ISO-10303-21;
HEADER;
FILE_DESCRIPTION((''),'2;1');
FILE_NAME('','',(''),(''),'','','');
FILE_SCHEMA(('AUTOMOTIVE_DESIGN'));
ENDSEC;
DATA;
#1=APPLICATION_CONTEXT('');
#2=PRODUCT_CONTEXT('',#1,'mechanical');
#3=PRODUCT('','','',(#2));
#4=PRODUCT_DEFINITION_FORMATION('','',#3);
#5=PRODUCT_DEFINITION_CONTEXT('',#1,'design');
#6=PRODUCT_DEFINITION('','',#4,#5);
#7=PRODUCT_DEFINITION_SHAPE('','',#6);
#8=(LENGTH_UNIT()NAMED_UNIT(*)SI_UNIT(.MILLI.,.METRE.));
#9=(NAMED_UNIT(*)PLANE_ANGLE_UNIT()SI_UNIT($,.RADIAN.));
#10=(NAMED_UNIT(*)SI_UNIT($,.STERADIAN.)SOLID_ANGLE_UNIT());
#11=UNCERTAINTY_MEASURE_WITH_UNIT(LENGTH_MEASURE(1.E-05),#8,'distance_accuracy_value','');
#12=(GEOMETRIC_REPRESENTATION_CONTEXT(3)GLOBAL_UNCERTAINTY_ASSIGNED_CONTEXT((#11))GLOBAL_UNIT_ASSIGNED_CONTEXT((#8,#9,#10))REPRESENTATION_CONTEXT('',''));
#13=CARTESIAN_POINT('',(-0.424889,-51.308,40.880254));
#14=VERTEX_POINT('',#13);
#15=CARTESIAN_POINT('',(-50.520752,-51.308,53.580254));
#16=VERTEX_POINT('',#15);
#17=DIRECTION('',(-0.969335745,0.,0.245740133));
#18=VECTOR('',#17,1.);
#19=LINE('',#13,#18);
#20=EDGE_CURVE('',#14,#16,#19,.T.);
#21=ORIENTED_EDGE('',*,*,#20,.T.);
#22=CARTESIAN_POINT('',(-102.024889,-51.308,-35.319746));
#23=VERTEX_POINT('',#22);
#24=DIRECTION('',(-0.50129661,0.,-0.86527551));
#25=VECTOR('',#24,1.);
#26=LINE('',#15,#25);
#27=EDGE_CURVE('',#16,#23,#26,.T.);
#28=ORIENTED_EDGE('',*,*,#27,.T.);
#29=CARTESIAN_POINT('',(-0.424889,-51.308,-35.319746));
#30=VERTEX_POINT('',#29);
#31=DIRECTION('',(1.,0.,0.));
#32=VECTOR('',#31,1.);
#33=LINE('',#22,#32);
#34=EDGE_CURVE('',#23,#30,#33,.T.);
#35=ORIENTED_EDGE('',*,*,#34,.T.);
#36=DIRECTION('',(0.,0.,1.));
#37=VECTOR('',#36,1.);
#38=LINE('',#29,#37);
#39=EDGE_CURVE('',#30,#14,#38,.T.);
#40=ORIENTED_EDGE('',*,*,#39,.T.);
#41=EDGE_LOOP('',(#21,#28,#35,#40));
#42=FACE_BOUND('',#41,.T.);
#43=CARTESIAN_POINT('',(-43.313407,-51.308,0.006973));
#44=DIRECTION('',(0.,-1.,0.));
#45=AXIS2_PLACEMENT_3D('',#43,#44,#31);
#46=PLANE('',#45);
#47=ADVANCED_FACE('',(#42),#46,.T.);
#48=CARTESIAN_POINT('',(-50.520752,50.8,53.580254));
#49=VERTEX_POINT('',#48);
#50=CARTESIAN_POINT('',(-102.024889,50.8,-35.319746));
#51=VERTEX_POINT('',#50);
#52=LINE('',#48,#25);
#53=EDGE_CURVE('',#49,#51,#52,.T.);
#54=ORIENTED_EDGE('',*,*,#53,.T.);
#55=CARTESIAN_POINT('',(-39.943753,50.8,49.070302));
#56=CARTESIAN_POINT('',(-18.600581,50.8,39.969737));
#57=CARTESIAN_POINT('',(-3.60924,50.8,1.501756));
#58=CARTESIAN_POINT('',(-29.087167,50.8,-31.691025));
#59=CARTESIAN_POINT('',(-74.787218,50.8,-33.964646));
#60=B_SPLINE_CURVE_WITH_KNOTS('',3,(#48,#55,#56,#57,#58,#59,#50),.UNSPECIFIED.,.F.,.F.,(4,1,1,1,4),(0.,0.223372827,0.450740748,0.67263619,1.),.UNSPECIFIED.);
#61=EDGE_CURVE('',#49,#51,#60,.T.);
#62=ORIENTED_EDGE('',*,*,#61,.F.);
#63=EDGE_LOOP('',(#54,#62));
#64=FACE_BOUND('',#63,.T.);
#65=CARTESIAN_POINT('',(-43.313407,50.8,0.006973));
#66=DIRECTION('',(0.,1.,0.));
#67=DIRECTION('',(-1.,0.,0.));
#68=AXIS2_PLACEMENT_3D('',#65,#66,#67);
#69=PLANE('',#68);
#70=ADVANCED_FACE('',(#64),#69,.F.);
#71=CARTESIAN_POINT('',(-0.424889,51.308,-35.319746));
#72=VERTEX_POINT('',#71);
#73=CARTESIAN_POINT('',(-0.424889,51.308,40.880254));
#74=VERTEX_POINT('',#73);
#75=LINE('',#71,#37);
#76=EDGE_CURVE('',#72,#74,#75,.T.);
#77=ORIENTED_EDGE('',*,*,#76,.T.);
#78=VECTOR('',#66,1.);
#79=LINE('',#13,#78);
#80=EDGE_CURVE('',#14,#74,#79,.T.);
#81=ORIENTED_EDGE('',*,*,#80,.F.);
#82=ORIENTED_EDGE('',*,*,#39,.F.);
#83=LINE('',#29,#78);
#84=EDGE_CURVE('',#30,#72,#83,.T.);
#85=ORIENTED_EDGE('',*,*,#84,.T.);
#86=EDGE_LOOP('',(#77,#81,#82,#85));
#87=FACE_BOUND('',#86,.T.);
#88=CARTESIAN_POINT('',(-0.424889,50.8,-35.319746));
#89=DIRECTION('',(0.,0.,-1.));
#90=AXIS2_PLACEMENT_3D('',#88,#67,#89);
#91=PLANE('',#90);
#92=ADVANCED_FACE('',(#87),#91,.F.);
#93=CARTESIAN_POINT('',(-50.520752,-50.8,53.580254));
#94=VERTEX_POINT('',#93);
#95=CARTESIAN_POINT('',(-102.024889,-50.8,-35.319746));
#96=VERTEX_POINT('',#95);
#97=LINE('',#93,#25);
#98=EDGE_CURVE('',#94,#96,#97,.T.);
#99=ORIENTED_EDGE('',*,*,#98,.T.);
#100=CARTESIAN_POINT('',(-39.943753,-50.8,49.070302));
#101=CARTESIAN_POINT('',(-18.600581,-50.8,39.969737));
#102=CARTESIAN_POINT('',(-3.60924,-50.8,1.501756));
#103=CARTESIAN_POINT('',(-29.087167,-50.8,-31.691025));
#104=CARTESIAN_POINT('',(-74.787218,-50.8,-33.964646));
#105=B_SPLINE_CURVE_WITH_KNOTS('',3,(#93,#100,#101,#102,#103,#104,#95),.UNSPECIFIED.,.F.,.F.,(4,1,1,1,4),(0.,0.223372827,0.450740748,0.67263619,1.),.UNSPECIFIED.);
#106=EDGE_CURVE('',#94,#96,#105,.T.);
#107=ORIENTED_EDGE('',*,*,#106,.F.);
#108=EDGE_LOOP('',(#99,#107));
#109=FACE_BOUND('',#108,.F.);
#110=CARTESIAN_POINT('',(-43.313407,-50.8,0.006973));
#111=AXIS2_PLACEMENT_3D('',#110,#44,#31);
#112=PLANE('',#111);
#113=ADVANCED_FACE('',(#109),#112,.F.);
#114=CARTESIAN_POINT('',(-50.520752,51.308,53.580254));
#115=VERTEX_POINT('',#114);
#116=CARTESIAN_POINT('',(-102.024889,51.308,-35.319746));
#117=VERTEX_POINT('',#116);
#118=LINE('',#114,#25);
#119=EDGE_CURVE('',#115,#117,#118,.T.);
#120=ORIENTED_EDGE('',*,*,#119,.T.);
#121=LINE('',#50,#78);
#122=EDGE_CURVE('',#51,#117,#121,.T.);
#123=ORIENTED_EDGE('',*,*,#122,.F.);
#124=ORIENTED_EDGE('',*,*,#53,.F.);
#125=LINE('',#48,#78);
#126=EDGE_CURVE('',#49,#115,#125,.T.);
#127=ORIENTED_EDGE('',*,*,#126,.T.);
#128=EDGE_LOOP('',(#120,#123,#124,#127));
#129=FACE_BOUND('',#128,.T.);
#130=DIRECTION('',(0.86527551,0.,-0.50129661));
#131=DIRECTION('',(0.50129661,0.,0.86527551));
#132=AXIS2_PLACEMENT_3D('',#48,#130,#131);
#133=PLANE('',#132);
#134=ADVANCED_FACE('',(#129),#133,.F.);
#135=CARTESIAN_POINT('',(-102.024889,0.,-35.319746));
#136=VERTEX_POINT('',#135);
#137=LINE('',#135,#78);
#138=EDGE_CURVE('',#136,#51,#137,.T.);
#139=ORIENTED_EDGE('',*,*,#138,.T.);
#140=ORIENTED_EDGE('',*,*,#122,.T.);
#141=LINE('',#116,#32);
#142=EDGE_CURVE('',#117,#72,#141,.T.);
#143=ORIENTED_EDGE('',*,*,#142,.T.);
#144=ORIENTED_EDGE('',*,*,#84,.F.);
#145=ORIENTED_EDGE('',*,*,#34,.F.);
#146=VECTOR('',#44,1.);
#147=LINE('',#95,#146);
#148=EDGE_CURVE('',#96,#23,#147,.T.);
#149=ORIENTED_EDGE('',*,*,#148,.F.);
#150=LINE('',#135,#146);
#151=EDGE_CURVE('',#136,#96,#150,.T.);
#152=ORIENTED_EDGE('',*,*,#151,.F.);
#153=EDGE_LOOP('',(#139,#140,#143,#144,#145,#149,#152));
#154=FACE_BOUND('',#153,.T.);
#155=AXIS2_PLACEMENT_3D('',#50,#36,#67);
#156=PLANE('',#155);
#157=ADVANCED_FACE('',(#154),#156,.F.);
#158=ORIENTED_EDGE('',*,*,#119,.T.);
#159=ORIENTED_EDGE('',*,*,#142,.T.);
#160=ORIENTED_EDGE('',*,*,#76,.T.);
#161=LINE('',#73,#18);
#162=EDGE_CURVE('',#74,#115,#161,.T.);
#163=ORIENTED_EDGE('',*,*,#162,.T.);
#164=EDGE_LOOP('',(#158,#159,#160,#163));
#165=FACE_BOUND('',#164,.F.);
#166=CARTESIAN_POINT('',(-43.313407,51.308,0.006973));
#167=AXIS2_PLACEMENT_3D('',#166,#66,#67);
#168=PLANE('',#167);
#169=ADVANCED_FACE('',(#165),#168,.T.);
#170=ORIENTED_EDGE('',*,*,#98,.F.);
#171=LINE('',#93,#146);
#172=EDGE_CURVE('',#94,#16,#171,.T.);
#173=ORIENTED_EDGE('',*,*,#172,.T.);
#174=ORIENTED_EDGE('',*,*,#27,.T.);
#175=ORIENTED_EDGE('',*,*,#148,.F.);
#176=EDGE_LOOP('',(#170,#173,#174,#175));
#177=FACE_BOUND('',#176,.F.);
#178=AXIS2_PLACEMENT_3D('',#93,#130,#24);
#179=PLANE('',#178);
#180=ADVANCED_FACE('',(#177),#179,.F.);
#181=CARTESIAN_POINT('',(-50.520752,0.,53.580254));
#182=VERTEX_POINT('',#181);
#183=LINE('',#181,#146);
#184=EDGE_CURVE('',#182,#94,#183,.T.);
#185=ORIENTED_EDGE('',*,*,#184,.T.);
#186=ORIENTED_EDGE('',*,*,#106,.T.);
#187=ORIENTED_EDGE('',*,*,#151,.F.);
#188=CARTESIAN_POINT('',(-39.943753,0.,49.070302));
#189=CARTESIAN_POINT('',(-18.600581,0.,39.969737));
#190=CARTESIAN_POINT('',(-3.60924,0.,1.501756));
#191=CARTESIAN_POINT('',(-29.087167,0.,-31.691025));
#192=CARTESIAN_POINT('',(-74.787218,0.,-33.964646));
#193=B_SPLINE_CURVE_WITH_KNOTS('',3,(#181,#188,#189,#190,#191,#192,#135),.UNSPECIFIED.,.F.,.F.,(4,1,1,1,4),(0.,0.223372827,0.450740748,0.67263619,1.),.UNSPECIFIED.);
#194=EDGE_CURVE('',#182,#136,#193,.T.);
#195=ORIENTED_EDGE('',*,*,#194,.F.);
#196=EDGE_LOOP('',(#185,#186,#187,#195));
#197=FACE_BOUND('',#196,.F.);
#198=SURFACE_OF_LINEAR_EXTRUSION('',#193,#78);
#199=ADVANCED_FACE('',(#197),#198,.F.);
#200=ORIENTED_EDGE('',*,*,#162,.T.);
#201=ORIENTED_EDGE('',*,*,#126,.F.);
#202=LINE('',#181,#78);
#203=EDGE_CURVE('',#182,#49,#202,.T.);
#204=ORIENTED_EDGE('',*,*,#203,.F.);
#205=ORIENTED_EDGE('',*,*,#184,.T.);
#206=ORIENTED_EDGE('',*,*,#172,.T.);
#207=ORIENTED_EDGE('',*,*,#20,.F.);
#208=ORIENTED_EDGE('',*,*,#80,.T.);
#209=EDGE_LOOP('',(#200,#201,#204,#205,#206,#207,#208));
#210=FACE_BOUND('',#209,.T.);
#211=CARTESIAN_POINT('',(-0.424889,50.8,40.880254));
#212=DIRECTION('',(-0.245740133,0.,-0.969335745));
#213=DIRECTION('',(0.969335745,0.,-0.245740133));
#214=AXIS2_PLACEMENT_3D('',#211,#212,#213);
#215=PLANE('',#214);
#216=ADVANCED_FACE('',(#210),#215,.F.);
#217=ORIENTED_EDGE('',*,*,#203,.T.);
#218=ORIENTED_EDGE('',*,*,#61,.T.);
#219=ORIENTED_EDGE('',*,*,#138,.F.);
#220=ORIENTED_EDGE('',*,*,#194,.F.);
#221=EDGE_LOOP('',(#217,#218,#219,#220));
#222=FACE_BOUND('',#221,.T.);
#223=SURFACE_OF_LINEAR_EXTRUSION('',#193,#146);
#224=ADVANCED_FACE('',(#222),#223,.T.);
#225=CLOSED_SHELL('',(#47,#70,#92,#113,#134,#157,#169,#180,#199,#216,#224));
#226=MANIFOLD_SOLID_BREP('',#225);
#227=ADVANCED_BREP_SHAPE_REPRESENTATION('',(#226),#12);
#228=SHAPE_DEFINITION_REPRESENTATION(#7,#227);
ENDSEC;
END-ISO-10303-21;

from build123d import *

# Parameters (mm, degrees)
F1_DEPTH = 50.8
F3_DEPTH = 0.508


with BuildPart() as f1:
    # F0 (on Front) → F1 (new body)
    with BuildSketch(Plane.XZ):
        with BuildLine():
            Line((-102.0248893347, -35.3197461325), (-0.4248893347, -35.3197461325))
            Line((-0.4248893347, -35.3197461325), (-0.4248893347, 40.8802538675))
            Line((-0.4248893347, 40.8802538675), (-50.520752065, 53.5802538675))
            add(Edge.make_bspline(
                [(-50.520752065, 53.5802538675), (-39.943752681, 49.0703022182), (-18.6005809549, 39.9697370167), (-3.6092402382, 1.501755601), (-29.0871667847, -31.6910251415), (-74.7872181103, -33.964646112), (-102.0248893347, -35.3197461325)],
                knots=[0, 0, 0, 0, 0.2233728272, 0.4507407477, 0.6726361897, 1, 1, 1, 1], degree=3))
        make_face()
    extrude(amount=F1_DEPTH)

    # F2 (on face) → F3 (join)
    with BuildSketch(Plane.XZ.offset(50.8)):
        Polygon((-0.4248893347, 40.8802538675), (-50.520752065, 53.5802538675), (-102.0248893347, -35.3197461325), (-0.4248893347, -35.3197461325), align=None)
    extrude(amount=F3_DEPTH)

    # F4: F1 across plane


with BuildPart() as f1_1:
    add(f1.part)
    add(f1.part.mirror(Plane.XZ))


solid = f1_1.part
